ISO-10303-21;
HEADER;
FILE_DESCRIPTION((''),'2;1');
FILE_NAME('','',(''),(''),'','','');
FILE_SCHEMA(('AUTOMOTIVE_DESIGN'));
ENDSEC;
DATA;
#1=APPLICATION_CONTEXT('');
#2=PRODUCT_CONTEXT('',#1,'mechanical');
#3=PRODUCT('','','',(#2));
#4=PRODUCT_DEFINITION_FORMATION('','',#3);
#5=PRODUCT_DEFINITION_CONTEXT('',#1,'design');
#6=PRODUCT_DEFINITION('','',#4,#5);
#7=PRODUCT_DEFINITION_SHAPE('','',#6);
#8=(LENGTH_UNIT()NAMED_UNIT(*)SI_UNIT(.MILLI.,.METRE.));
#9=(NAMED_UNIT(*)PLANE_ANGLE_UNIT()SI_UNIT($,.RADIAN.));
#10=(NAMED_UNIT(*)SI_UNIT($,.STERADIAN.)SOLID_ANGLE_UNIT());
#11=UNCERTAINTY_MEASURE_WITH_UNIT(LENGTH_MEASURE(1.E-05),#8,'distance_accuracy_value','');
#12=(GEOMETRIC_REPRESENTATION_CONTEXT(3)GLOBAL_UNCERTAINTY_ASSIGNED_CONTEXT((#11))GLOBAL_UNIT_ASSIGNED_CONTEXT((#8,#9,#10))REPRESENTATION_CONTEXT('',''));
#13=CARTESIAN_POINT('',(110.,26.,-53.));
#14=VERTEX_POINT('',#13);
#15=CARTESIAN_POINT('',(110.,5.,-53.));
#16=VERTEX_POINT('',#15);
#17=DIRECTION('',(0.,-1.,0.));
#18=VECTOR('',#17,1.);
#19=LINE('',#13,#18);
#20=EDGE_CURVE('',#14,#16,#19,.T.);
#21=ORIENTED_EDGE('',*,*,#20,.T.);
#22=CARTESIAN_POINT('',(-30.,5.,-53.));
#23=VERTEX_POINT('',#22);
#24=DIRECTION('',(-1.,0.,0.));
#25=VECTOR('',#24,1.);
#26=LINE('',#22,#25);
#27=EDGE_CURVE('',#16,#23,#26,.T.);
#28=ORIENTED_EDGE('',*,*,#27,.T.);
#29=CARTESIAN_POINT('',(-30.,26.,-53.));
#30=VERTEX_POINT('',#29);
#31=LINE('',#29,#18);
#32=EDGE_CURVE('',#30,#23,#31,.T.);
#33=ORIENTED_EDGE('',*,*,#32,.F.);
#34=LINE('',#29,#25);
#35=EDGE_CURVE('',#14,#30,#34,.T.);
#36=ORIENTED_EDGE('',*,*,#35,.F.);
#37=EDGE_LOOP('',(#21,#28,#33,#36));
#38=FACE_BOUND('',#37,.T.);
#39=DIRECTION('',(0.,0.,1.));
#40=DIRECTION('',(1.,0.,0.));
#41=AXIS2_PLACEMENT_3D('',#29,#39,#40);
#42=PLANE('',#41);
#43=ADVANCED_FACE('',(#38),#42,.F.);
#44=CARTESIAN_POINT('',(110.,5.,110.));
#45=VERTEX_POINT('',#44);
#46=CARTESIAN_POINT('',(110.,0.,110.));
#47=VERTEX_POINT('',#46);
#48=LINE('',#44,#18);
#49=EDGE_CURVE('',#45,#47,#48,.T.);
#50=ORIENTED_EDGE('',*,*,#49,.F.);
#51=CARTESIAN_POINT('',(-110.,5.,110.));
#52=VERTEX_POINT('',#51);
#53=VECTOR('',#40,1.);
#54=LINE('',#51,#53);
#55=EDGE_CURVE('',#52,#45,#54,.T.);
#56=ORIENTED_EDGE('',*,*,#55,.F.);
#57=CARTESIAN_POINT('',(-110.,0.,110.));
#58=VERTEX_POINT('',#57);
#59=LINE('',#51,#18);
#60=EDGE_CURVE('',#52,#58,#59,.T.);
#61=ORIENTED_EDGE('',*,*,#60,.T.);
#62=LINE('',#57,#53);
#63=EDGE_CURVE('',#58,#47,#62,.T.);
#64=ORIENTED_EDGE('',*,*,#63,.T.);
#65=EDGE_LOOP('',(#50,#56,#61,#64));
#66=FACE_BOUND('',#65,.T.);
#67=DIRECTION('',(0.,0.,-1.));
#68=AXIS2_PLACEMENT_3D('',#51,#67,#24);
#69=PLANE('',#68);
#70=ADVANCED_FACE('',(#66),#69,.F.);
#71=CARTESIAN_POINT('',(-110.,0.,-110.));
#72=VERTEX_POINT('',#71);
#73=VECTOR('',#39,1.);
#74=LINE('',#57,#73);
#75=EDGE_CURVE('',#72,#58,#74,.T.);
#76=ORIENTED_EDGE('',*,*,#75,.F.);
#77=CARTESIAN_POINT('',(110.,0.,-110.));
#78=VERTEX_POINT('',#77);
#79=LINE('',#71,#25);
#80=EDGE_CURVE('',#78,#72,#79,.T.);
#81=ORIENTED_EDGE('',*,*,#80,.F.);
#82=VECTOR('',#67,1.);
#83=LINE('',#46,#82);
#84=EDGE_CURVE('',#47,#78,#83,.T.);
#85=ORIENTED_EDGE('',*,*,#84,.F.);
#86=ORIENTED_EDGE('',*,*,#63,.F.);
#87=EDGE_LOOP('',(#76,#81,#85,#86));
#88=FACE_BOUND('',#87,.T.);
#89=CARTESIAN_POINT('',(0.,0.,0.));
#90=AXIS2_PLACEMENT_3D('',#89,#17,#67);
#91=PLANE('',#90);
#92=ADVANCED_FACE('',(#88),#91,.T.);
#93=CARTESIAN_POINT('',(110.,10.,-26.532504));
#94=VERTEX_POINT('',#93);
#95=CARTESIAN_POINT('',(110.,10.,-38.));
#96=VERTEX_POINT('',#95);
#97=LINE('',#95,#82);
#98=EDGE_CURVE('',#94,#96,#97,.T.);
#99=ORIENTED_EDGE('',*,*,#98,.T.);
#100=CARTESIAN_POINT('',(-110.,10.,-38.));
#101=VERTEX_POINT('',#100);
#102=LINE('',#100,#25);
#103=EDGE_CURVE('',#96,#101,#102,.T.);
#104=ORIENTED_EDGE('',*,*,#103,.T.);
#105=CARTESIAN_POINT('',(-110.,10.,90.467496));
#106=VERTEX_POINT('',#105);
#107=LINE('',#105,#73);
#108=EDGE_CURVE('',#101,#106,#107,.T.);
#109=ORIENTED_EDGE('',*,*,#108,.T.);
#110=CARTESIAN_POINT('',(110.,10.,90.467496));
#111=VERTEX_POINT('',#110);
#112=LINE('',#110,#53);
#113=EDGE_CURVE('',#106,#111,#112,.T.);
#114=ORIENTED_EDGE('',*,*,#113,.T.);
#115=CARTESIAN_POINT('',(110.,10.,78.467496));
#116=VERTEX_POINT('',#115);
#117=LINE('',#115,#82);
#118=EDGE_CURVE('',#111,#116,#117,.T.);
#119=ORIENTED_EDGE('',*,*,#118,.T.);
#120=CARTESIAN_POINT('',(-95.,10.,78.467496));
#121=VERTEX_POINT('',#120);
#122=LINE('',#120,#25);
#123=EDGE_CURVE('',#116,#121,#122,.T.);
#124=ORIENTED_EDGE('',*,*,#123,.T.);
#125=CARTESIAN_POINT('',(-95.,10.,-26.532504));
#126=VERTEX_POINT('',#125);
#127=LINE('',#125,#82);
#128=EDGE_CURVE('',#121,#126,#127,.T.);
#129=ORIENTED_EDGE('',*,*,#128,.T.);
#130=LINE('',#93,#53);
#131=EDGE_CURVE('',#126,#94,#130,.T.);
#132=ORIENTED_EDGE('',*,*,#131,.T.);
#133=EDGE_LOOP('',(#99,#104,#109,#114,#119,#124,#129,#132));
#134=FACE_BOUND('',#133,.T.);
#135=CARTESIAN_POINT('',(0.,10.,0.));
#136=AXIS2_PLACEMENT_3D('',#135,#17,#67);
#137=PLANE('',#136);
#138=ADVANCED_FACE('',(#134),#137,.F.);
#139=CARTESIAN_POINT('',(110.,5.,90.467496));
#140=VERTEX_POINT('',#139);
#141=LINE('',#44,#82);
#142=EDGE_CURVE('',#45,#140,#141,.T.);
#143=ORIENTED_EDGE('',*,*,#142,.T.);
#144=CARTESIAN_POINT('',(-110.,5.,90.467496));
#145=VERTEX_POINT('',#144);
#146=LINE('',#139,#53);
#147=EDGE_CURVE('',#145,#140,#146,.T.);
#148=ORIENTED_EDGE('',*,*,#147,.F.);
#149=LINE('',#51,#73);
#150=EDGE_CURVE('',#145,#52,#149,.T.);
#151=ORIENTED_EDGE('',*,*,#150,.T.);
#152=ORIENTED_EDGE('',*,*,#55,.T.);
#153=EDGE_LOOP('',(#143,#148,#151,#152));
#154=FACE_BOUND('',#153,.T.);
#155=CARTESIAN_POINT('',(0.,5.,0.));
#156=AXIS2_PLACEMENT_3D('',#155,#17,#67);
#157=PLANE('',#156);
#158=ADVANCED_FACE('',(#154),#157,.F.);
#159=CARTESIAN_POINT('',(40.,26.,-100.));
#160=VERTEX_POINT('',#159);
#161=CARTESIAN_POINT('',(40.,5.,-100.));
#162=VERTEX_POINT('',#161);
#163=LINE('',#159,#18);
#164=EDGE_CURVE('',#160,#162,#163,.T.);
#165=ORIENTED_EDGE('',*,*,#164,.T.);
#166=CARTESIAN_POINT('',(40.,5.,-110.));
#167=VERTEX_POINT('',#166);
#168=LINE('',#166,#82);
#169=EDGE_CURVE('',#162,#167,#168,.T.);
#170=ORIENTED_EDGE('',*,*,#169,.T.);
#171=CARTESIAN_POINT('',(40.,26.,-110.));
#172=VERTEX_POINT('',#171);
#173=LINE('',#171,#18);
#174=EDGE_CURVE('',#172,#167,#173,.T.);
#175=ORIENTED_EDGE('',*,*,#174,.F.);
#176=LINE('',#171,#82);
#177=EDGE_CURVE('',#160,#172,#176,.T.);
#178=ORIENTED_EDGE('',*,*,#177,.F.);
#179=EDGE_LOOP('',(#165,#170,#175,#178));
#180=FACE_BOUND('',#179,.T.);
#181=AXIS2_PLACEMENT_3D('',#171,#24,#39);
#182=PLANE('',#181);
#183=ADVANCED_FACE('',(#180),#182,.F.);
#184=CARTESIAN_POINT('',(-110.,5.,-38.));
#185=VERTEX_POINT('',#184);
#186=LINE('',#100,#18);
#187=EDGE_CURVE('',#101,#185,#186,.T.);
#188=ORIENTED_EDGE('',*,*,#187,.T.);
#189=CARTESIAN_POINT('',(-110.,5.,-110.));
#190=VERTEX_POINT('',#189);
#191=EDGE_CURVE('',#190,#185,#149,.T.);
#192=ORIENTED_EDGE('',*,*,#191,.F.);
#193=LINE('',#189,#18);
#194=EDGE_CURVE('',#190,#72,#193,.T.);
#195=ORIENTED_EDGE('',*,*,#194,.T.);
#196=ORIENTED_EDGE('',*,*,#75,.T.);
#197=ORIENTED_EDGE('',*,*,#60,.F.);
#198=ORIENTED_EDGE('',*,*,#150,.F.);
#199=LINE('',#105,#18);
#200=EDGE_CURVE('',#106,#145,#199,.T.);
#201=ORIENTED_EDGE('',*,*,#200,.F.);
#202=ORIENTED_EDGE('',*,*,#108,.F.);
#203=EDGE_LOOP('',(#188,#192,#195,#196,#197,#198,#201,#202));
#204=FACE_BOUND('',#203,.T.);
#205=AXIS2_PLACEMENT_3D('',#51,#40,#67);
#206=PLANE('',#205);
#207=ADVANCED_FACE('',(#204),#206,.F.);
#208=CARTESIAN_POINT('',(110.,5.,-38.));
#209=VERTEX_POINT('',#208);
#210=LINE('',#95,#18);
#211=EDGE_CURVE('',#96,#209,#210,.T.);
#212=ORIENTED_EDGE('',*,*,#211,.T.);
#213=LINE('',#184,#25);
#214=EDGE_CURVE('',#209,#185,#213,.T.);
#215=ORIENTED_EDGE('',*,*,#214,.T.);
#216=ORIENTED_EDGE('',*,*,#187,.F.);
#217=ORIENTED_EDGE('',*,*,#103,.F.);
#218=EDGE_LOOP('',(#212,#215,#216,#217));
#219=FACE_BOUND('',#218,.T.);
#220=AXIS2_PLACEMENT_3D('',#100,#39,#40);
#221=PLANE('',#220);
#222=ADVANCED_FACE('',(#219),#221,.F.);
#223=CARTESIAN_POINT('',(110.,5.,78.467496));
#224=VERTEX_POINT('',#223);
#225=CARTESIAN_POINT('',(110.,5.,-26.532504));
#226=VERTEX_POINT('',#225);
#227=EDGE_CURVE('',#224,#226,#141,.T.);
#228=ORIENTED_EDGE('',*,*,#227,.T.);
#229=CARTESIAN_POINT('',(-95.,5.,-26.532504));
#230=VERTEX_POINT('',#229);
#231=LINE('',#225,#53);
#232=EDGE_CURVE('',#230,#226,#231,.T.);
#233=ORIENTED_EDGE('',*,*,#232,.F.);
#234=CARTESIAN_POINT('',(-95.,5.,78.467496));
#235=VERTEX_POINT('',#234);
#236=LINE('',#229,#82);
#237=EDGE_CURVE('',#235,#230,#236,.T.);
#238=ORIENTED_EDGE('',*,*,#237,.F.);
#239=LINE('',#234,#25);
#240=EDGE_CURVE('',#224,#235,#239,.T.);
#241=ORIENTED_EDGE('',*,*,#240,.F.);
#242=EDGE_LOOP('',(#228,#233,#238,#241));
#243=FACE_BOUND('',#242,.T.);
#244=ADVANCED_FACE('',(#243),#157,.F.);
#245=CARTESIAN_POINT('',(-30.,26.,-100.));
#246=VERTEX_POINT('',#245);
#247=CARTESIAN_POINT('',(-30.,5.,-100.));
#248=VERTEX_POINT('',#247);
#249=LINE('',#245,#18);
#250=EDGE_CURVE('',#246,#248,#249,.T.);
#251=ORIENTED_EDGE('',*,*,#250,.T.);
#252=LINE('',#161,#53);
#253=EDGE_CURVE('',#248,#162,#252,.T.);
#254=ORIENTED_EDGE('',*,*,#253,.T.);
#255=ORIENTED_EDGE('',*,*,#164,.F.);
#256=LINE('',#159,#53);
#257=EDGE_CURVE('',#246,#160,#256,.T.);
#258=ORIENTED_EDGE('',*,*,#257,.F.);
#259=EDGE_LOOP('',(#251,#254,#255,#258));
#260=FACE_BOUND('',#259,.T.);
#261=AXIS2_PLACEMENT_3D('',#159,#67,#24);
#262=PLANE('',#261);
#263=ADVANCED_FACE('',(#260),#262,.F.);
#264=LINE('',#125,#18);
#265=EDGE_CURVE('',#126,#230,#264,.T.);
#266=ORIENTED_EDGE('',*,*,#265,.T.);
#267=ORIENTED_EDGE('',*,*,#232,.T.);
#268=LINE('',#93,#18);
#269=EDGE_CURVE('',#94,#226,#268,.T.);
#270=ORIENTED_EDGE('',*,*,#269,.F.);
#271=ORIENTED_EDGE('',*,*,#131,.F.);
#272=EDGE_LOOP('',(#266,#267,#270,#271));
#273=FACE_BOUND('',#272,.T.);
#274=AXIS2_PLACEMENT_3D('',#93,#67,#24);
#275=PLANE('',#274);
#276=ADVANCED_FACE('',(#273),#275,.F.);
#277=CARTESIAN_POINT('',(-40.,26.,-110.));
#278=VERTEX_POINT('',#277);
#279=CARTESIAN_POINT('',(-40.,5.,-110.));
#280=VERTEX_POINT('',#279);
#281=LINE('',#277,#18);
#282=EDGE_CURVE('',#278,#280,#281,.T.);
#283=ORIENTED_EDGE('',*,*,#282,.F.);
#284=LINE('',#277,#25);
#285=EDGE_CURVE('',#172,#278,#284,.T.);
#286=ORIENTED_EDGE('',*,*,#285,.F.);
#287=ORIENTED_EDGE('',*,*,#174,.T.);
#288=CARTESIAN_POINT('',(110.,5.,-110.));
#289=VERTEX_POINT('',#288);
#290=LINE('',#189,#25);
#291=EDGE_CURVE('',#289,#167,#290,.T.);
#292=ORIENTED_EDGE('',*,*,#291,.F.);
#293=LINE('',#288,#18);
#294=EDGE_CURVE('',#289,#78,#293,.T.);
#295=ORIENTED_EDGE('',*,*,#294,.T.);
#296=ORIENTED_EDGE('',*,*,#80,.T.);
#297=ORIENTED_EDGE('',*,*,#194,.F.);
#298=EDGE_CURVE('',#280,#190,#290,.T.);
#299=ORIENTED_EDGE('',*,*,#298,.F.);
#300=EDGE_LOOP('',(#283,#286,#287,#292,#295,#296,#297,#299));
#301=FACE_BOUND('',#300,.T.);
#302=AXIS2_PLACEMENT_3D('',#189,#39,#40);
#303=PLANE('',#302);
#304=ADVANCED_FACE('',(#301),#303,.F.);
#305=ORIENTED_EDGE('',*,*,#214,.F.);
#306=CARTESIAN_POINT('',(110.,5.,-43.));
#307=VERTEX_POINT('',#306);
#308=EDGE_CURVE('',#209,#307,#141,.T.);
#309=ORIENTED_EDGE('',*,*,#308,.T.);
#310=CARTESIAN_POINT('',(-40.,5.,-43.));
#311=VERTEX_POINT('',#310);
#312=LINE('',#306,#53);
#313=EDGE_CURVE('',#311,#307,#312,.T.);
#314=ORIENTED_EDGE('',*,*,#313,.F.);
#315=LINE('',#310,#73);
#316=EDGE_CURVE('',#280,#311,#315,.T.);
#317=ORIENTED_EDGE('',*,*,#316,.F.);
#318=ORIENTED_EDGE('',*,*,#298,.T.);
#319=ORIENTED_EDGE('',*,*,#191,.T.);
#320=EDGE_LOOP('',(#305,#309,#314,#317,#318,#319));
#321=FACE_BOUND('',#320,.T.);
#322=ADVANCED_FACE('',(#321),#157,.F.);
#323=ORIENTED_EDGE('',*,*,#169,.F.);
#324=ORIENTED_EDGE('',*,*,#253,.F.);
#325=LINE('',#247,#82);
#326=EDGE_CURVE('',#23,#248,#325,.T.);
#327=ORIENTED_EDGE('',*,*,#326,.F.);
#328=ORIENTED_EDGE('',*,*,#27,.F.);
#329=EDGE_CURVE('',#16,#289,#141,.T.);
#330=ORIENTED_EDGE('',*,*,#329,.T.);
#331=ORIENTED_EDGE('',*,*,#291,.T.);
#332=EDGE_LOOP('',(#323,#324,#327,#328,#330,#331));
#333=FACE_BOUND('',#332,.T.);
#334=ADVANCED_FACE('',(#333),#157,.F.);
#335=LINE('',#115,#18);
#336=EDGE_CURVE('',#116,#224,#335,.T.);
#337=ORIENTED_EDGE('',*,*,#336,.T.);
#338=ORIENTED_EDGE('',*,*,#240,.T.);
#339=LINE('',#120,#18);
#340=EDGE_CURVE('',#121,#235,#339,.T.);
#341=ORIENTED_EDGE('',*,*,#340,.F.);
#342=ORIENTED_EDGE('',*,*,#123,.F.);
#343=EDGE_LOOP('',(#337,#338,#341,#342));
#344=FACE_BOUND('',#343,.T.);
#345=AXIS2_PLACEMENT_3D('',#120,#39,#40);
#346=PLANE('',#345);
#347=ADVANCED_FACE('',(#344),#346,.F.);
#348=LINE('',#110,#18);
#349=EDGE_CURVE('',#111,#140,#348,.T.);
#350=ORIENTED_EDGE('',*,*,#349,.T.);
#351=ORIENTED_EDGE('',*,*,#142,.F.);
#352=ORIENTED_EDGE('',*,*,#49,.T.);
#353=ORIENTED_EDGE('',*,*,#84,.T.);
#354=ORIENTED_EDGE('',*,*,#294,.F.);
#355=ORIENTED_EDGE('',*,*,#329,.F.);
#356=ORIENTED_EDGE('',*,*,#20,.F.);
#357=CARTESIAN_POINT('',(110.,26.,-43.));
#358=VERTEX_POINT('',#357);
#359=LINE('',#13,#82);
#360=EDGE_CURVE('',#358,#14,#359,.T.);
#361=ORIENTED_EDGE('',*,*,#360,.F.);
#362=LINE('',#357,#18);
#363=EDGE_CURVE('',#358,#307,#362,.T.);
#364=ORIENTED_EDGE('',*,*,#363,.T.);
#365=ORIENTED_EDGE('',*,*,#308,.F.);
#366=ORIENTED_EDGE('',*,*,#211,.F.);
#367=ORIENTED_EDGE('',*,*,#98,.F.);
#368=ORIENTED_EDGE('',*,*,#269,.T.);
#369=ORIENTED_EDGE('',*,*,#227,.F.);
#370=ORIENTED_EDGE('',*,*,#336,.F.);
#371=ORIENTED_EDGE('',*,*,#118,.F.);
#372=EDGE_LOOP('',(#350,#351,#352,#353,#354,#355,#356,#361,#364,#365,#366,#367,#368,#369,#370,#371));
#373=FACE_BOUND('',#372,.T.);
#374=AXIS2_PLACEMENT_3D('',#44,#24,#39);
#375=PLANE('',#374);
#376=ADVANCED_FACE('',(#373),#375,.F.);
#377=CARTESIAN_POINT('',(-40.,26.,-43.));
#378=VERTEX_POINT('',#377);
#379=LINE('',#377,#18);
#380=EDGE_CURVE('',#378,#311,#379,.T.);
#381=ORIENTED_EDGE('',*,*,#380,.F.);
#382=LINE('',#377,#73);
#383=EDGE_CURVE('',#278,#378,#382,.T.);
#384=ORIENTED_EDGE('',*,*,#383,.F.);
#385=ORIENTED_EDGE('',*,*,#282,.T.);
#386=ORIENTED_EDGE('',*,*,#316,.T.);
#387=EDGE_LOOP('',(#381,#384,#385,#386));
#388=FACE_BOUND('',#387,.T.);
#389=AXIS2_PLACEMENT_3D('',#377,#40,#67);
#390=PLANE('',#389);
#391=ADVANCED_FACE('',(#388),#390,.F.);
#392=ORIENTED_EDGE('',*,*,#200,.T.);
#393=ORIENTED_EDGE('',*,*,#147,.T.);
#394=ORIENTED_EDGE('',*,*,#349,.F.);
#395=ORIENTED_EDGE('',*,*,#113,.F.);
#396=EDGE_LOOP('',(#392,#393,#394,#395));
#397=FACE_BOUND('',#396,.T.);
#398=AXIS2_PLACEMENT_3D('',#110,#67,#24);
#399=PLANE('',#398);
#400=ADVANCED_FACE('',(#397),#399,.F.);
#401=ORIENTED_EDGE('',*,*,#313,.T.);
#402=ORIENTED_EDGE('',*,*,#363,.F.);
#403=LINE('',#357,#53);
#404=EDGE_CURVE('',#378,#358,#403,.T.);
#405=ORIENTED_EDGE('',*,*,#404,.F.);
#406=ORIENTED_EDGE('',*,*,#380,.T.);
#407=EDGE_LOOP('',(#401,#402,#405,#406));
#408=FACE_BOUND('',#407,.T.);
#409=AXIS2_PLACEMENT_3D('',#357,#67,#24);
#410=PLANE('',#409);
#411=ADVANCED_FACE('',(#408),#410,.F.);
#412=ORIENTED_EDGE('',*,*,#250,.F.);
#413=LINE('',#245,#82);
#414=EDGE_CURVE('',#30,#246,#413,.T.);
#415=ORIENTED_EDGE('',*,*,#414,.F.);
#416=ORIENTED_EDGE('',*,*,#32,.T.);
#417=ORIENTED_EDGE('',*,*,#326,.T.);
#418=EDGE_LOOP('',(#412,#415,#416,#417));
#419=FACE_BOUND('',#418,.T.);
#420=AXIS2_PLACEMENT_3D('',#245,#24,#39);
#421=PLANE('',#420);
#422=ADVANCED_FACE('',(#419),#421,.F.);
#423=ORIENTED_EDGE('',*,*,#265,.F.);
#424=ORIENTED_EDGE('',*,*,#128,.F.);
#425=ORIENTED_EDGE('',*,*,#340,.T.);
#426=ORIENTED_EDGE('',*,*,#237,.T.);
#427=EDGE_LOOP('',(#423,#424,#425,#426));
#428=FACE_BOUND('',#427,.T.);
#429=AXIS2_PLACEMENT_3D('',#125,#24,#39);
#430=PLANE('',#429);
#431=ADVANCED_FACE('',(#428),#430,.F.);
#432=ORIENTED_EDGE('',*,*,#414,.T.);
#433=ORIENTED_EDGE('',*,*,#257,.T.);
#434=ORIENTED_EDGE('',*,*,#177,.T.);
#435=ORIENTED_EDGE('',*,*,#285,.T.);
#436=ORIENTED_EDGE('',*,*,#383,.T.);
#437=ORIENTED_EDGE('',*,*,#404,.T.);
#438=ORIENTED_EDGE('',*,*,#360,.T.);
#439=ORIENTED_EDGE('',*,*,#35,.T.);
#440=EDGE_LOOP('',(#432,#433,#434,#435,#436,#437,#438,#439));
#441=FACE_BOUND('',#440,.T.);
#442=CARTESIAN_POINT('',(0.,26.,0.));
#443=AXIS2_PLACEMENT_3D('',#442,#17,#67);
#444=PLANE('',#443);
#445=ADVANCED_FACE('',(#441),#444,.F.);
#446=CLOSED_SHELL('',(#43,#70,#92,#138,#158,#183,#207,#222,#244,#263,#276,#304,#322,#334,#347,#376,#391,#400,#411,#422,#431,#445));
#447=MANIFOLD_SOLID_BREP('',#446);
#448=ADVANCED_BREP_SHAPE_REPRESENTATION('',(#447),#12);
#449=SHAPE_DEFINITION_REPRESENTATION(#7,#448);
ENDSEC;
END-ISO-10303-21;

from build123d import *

# Parameters (mm, degrees)
SKETCH1_W           = 220
SKETCH1_H           = 220
BOSS_EXTRUDE1_DEPTH = 5
BOSS_EXTRUDE2_DEPTH = 21
BOSS_EXTRUDE3_DEPTH = 5


with BuildPart() as part:
    # Sketch1 → Boss-Extrude1 (new body)
    with BuildSketch(Plane(origin=(0, 0, 0), x_dir=(1, 0, 0), z_dir=(0, 1, 0))):
        Rectangle(SKETCH1_W, SKETCH1_H)
    extrude(amount=BOSS_EXTRUDE1_DEPTH)

    # Sketch2 → Boss-Extrude2 (add)
    with BuildSketch(Plane(origin=(0, 5, 0), x_dir=(1, 0, 0), z_dir=(0, 1, 0))):
        Polygon((-40, 110), (40, 110), (40, 100), (-30, 100), (-30, 53), (110, 53), (110, 43), (-40, 43), align=None)
    extrude(amount=BOSS_EXTRUDE2_DEPTH)

    # Sketch3 → Boss-Extrude3 (add)
    with BuildSketch(Plane(origin=(0, 5, 0), x_dir=(1, 0, 0), z_dir=(0, 1, 0))):
        Polygon((-110, 38), (110, 38), (110, 26.532503788), (-95, 26.532503788), (-95, -78.467496212), (110, -78.467496212), (110, -90.467496212), (-110, -90.467496212), align=None)
    extrude(amount=BOSS_EXTRUDE3_DEPTH)


solid = part.part
